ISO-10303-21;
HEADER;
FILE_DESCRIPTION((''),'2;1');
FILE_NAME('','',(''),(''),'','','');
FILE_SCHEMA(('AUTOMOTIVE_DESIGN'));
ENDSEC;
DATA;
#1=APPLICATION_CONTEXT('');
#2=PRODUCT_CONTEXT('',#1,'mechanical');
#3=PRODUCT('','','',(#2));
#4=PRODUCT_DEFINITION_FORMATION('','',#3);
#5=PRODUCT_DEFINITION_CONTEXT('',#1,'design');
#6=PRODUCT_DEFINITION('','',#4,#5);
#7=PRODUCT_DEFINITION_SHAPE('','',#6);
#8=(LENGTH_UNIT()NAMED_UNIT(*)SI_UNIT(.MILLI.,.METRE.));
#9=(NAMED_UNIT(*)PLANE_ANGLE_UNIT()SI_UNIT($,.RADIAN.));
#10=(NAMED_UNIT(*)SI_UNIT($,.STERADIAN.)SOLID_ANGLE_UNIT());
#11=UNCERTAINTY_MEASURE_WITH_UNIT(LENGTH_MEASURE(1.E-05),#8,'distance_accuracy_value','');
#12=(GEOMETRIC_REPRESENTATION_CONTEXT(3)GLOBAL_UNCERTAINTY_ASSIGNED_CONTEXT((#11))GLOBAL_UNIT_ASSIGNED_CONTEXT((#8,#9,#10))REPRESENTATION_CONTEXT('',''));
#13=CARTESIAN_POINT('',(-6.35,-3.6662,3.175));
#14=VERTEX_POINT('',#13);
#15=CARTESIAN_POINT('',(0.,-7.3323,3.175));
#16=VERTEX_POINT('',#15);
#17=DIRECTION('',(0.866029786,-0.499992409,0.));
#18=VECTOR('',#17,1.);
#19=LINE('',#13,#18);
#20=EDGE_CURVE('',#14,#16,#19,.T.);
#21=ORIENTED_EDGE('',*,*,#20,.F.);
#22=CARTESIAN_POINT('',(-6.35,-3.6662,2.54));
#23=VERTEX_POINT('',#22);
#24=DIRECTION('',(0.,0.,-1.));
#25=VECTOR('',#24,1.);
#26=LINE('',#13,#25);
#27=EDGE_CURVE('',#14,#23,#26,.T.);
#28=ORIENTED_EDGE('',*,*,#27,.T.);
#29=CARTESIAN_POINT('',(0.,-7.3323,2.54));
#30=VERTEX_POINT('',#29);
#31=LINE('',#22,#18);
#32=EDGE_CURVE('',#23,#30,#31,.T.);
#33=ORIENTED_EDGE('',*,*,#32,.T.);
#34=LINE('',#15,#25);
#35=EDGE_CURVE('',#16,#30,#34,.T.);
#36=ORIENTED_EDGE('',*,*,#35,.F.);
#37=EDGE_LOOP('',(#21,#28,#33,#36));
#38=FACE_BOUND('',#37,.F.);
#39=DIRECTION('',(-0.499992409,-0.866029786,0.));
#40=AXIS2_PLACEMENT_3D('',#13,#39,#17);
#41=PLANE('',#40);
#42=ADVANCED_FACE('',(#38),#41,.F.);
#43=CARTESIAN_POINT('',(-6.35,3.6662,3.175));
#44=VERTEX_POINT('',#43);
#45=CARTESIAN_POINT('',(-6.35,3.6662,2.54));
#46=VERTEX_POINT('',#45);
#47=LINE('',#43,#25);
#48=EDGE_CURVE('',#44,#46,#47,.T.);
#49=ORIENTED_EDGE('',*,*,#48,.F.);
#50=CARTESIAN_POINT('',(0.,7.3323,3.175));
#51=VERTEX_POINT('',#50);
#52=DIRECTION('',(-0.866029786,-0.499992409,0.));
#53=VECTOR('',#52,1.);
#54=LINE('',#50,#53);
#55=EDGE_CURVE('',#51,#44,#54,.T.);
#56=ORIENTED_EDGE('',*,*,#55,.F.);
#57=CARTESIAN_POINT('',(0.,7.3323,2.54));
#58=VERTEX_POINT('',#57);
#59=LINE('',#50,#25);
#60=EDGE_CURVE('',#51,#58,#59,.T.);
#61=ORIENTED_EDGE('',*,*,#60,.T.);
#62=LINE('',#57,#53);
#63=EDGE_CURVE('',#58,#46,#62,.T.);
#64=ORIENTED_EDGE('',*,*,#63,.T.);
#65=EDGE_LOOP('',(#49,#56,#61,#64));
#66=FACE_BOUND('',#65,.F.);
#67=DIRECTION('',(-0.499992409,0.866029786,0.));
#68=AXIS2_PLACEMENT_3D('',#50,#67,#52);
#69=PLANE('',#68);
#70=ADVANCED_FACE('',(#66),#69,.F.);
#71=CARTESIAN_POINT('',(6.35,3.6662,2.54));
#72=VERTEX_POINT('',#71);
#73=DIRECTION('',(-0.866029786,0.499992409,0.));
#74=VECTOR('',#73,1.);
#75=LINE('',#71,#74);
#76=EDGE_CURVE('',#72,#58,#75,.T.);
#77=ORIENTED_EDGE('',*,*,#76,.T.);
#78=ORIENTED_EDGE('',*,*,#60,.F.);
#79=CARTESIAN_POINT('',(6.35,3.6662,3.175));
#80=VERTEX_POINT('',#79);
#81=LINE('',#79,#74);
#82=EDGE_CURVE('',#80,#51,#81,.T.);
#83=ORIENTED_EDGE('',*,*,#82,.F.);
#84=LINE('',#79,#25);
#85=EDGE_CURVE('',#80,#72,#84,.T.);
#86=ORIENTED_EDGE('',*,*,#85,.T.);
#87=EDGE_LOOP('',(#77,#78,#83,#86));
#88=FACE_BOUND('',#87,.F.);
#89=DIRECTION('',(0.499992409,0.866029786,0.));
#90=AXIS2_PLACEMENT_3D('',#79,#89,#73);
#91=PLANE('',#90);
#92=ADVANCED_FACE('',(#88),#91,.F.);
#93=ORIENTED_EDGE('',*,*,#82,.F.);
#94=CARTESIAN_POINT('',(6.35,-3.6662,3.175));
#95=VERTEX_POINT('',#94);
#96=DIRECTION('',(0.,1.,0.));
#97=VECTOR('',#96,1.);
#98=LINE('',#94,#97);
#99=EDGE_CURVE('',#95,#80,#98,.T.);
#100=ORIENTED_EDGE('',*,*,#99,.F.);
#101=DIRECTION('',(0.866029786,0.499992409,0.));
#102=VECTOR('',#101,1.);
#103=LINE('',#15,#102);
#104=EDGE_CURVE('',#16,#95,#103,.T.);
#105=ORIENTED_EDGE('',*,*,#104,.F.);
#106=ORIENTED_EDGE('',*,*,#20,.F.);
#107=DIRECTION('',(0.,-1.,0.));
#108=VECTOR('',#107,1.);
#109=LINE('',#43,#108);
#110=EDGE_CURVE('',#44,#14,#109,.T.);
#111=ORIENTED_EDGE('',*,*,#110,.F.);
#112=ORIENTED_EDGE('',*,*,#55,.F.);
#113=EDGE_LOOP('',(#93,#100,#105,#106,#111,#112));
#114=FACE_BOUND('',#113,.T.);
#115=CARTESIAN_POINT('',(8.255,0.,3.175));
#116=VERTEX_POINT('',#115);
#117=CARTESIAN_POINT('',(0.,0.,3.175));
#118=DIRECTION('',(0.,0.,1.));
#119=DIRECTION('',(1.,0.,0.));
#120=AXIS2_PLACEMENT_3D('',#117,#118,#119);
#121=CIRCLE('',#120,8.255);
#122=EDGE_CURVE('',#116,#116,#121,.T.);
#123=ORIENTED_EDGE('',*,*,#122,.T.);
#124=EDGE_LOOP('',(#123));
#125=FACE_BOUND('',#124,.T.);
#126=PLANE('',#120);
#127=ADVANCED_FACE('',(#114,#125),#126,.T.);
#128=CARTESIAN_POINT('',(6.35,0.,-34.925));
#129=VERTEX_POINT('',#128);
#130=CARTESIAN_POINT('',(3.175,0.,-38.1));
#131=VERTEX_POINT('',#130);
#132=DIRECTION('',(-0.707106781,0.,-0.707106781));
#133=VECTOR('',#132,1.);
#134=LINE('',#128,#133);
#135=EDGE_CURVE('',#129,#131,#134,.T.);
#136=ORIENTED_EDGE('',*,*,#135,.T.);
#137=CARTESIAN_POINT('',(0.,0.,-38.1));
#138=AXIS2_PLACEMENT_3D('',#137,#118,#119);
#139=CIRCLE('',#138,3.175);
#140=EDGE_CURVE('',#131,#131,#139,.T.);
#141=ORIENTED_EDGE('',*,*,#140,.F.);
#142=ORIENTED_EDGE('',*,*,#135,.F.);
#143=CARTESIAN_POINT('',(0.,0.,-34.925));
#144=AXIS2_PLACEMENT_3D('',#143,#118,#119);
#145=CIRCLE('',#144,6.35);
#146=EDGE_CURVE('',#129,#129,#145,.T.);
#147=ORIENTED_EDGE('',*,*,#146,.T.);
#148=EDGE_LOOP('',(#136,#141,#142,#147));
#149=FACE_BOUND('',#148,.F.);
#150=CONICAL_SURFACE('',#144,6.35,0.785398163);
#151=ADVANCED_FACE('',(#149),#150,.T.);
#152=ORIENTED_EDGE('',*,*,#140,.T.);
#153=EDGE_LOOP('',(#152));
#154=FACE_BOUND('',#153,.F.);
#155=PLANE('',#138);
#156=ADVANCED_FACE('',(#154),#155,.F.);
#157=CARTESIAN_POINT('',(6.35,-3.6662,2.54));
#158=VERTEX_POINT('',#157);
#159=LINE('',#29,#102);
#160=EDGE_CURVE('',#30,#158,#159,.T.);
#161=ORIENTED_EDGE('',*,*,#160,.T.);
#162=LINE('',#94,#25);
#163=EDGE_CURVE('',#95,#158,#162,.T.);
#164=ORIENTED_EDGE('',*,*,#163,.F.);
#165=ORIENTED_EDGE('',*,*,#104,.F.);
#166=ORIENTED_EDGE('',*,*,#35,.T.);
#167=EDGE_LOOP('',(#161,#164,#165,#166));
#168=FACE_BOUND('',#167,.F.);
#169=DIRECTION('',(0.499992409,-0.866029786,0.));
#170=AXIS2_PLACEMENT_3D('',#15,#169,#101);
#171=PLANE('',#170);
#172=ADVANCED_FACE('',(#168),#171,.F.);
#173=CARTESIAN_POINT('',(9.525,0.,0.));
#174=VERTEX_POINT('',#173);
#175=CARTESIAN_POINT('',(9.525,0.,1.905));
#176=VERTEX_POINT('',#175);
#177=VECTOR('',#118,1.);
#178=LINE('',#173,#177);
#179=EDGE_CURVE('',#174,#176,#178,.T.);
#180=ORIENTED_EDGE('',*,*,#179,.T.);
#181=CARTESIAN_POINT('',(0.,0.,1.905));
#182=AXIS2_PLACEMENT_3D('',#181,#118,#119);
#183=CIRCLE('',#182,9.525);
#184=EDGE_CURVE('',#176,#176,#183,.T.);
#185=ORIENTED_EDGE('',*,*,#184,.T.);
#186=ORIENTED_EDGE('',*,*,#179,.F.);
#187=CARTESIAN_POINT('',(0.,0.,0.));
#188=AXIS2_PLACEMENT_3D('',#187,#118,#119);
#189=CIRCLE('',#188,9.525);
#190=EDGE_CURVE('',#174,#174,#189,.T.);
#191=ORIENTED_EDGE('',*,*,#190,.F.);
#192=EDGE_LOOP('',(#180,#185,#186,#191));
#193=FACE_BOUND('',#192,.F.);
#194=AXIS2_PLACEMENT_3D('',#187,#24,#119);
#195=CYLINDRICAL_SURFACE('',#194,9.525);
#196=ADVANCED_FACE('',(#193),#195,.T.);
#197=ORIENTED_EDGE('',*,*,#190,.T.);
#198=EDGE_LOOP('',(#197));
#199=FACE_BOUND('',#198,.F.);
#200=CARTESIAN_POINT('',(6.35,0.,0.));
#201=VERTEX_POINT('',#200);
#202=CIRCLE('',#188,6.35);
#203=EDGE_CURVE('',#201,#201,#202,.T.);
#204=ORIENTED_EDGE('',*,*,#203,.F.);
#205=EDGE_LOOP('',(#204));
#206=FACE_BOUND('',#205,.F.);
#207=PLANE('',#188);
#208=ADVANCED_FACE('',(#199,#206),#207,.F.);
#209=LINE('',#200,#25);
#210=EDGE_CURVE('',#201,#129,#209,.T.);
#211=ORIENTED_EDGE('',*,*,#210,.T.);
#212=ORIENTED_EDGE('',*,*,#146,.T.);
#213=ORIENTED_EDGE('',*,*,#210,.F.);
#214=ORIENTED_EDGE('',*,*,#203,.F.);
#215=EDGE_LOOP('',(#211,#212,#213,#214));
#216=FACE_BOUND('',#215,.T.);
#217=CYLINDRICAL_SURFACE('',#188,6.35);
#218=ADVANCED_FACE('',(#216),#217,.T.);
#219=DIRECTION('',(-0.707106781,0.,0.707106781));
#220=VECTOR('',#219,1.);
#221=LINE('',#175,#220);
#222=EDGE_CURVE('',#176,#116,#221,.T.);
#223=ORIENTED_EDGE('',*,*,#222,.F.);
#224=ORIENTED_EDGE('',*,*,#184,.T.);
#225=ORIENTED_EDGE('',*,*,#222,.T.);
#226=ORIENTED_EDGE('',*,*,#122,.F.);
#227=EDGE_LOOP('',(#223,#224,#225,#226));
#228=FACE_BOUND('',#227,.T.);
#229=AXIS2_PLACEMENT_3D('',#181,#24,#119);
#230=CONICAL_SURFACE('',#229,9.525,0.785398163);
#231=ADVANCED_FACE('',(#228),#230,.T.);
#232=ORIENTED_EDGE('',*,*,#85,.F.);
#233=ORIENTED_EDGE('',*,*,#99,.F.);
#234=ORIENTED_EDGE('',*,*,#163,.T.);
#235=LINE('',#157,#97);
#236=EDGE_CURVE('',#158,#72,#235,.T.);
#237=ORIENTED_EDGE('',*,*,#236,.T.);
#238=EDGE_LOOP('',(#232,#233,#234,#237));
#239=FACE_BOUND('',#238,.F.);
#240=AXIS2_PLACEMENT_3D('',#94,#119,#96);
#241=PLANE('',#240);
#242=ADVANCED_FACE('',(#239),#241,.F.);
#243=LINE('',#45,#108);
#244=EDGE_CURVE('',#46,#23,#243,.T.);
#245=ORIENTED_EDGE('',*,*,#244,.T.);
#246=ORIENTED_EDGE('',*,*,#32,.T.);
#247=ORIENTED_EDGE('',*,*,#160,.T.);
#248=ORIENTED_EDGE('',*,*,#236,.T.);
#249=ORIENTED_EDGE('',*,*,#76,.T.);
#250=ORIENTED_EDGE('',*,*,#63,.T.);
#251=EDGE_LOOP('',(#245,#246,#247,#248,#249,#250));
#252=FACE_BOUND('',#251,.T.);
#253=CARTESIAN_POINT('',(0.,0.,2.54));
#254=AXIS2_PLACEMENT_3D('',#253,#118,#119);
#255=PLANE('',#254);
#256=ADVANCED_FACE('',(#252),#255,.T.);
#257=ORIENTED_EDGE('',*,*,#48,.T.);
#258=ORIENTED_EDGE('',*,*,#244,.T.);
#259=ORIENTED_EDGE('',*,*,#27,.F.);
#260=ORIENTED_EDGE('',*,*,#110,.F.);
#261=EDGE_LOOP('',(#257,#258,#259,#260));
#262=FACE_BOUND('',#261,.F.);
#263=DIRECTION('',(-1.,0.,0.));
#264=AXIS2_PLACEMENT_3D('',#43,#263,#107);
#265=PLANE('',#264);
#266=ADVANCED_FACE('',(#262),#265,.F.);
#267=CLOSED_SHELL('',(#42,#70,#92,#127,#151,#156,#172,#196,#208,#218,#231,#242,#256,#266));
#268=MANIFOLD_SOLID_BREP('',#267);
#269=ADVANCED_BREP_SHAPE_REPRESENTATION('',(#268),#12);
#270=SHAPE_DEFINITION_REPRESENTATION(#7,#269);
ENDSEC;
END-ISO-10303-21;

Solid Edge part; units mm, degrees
sketch "Sketch1" plane through (0, 0, 0) normal (0, 0, 1) x (1, 0, 0)
  circle A0 centre (0, 0) radius 6.35
extrude "Protrusion1" add sketch "Sketch1" against normal blind 38.1
sketch "Sketch2" plane through (0, 0, 0) normal (0, 0, 1) x (1, 0, 0)
  circle A0 centre (0, 0) radius 9.525
extrude "ExtrudedProtrusion_2" add sketch "Sketch2" along normal blind 3.175
sketch "Sketch3" plane through (0, 0, 3.175) normal (0, 0, 1) x (1, 0, 0)
  line L0 (0, 7.3323) -> (-6.35, 3.6662)
  line L1 (-6.35, 3.6662) -> (-6.35, -3.6662)
  line L2 (-6.35, -3.6662) -> (0, -7.3323)
  line L3 (0, -7.3323) -> (6.35, -3.6662)
  line L4 (6.35, -3.6662) -> (6.35, 3.6662)
  line L5 (6.35, 3.6662) -> (0, 7.3323)
extrude "ExtrudedCutout_1" cut sketch "Sketch3" against normal blind 0.635
chamfer "Chamfer_1" distance 3.175 angle 45 1 edges at (-6.35, 0, -38.1)
chamfer "Chamfer_2" distance 1.27 angle 45 1 edges at (-9.525, 0, 3.175)
